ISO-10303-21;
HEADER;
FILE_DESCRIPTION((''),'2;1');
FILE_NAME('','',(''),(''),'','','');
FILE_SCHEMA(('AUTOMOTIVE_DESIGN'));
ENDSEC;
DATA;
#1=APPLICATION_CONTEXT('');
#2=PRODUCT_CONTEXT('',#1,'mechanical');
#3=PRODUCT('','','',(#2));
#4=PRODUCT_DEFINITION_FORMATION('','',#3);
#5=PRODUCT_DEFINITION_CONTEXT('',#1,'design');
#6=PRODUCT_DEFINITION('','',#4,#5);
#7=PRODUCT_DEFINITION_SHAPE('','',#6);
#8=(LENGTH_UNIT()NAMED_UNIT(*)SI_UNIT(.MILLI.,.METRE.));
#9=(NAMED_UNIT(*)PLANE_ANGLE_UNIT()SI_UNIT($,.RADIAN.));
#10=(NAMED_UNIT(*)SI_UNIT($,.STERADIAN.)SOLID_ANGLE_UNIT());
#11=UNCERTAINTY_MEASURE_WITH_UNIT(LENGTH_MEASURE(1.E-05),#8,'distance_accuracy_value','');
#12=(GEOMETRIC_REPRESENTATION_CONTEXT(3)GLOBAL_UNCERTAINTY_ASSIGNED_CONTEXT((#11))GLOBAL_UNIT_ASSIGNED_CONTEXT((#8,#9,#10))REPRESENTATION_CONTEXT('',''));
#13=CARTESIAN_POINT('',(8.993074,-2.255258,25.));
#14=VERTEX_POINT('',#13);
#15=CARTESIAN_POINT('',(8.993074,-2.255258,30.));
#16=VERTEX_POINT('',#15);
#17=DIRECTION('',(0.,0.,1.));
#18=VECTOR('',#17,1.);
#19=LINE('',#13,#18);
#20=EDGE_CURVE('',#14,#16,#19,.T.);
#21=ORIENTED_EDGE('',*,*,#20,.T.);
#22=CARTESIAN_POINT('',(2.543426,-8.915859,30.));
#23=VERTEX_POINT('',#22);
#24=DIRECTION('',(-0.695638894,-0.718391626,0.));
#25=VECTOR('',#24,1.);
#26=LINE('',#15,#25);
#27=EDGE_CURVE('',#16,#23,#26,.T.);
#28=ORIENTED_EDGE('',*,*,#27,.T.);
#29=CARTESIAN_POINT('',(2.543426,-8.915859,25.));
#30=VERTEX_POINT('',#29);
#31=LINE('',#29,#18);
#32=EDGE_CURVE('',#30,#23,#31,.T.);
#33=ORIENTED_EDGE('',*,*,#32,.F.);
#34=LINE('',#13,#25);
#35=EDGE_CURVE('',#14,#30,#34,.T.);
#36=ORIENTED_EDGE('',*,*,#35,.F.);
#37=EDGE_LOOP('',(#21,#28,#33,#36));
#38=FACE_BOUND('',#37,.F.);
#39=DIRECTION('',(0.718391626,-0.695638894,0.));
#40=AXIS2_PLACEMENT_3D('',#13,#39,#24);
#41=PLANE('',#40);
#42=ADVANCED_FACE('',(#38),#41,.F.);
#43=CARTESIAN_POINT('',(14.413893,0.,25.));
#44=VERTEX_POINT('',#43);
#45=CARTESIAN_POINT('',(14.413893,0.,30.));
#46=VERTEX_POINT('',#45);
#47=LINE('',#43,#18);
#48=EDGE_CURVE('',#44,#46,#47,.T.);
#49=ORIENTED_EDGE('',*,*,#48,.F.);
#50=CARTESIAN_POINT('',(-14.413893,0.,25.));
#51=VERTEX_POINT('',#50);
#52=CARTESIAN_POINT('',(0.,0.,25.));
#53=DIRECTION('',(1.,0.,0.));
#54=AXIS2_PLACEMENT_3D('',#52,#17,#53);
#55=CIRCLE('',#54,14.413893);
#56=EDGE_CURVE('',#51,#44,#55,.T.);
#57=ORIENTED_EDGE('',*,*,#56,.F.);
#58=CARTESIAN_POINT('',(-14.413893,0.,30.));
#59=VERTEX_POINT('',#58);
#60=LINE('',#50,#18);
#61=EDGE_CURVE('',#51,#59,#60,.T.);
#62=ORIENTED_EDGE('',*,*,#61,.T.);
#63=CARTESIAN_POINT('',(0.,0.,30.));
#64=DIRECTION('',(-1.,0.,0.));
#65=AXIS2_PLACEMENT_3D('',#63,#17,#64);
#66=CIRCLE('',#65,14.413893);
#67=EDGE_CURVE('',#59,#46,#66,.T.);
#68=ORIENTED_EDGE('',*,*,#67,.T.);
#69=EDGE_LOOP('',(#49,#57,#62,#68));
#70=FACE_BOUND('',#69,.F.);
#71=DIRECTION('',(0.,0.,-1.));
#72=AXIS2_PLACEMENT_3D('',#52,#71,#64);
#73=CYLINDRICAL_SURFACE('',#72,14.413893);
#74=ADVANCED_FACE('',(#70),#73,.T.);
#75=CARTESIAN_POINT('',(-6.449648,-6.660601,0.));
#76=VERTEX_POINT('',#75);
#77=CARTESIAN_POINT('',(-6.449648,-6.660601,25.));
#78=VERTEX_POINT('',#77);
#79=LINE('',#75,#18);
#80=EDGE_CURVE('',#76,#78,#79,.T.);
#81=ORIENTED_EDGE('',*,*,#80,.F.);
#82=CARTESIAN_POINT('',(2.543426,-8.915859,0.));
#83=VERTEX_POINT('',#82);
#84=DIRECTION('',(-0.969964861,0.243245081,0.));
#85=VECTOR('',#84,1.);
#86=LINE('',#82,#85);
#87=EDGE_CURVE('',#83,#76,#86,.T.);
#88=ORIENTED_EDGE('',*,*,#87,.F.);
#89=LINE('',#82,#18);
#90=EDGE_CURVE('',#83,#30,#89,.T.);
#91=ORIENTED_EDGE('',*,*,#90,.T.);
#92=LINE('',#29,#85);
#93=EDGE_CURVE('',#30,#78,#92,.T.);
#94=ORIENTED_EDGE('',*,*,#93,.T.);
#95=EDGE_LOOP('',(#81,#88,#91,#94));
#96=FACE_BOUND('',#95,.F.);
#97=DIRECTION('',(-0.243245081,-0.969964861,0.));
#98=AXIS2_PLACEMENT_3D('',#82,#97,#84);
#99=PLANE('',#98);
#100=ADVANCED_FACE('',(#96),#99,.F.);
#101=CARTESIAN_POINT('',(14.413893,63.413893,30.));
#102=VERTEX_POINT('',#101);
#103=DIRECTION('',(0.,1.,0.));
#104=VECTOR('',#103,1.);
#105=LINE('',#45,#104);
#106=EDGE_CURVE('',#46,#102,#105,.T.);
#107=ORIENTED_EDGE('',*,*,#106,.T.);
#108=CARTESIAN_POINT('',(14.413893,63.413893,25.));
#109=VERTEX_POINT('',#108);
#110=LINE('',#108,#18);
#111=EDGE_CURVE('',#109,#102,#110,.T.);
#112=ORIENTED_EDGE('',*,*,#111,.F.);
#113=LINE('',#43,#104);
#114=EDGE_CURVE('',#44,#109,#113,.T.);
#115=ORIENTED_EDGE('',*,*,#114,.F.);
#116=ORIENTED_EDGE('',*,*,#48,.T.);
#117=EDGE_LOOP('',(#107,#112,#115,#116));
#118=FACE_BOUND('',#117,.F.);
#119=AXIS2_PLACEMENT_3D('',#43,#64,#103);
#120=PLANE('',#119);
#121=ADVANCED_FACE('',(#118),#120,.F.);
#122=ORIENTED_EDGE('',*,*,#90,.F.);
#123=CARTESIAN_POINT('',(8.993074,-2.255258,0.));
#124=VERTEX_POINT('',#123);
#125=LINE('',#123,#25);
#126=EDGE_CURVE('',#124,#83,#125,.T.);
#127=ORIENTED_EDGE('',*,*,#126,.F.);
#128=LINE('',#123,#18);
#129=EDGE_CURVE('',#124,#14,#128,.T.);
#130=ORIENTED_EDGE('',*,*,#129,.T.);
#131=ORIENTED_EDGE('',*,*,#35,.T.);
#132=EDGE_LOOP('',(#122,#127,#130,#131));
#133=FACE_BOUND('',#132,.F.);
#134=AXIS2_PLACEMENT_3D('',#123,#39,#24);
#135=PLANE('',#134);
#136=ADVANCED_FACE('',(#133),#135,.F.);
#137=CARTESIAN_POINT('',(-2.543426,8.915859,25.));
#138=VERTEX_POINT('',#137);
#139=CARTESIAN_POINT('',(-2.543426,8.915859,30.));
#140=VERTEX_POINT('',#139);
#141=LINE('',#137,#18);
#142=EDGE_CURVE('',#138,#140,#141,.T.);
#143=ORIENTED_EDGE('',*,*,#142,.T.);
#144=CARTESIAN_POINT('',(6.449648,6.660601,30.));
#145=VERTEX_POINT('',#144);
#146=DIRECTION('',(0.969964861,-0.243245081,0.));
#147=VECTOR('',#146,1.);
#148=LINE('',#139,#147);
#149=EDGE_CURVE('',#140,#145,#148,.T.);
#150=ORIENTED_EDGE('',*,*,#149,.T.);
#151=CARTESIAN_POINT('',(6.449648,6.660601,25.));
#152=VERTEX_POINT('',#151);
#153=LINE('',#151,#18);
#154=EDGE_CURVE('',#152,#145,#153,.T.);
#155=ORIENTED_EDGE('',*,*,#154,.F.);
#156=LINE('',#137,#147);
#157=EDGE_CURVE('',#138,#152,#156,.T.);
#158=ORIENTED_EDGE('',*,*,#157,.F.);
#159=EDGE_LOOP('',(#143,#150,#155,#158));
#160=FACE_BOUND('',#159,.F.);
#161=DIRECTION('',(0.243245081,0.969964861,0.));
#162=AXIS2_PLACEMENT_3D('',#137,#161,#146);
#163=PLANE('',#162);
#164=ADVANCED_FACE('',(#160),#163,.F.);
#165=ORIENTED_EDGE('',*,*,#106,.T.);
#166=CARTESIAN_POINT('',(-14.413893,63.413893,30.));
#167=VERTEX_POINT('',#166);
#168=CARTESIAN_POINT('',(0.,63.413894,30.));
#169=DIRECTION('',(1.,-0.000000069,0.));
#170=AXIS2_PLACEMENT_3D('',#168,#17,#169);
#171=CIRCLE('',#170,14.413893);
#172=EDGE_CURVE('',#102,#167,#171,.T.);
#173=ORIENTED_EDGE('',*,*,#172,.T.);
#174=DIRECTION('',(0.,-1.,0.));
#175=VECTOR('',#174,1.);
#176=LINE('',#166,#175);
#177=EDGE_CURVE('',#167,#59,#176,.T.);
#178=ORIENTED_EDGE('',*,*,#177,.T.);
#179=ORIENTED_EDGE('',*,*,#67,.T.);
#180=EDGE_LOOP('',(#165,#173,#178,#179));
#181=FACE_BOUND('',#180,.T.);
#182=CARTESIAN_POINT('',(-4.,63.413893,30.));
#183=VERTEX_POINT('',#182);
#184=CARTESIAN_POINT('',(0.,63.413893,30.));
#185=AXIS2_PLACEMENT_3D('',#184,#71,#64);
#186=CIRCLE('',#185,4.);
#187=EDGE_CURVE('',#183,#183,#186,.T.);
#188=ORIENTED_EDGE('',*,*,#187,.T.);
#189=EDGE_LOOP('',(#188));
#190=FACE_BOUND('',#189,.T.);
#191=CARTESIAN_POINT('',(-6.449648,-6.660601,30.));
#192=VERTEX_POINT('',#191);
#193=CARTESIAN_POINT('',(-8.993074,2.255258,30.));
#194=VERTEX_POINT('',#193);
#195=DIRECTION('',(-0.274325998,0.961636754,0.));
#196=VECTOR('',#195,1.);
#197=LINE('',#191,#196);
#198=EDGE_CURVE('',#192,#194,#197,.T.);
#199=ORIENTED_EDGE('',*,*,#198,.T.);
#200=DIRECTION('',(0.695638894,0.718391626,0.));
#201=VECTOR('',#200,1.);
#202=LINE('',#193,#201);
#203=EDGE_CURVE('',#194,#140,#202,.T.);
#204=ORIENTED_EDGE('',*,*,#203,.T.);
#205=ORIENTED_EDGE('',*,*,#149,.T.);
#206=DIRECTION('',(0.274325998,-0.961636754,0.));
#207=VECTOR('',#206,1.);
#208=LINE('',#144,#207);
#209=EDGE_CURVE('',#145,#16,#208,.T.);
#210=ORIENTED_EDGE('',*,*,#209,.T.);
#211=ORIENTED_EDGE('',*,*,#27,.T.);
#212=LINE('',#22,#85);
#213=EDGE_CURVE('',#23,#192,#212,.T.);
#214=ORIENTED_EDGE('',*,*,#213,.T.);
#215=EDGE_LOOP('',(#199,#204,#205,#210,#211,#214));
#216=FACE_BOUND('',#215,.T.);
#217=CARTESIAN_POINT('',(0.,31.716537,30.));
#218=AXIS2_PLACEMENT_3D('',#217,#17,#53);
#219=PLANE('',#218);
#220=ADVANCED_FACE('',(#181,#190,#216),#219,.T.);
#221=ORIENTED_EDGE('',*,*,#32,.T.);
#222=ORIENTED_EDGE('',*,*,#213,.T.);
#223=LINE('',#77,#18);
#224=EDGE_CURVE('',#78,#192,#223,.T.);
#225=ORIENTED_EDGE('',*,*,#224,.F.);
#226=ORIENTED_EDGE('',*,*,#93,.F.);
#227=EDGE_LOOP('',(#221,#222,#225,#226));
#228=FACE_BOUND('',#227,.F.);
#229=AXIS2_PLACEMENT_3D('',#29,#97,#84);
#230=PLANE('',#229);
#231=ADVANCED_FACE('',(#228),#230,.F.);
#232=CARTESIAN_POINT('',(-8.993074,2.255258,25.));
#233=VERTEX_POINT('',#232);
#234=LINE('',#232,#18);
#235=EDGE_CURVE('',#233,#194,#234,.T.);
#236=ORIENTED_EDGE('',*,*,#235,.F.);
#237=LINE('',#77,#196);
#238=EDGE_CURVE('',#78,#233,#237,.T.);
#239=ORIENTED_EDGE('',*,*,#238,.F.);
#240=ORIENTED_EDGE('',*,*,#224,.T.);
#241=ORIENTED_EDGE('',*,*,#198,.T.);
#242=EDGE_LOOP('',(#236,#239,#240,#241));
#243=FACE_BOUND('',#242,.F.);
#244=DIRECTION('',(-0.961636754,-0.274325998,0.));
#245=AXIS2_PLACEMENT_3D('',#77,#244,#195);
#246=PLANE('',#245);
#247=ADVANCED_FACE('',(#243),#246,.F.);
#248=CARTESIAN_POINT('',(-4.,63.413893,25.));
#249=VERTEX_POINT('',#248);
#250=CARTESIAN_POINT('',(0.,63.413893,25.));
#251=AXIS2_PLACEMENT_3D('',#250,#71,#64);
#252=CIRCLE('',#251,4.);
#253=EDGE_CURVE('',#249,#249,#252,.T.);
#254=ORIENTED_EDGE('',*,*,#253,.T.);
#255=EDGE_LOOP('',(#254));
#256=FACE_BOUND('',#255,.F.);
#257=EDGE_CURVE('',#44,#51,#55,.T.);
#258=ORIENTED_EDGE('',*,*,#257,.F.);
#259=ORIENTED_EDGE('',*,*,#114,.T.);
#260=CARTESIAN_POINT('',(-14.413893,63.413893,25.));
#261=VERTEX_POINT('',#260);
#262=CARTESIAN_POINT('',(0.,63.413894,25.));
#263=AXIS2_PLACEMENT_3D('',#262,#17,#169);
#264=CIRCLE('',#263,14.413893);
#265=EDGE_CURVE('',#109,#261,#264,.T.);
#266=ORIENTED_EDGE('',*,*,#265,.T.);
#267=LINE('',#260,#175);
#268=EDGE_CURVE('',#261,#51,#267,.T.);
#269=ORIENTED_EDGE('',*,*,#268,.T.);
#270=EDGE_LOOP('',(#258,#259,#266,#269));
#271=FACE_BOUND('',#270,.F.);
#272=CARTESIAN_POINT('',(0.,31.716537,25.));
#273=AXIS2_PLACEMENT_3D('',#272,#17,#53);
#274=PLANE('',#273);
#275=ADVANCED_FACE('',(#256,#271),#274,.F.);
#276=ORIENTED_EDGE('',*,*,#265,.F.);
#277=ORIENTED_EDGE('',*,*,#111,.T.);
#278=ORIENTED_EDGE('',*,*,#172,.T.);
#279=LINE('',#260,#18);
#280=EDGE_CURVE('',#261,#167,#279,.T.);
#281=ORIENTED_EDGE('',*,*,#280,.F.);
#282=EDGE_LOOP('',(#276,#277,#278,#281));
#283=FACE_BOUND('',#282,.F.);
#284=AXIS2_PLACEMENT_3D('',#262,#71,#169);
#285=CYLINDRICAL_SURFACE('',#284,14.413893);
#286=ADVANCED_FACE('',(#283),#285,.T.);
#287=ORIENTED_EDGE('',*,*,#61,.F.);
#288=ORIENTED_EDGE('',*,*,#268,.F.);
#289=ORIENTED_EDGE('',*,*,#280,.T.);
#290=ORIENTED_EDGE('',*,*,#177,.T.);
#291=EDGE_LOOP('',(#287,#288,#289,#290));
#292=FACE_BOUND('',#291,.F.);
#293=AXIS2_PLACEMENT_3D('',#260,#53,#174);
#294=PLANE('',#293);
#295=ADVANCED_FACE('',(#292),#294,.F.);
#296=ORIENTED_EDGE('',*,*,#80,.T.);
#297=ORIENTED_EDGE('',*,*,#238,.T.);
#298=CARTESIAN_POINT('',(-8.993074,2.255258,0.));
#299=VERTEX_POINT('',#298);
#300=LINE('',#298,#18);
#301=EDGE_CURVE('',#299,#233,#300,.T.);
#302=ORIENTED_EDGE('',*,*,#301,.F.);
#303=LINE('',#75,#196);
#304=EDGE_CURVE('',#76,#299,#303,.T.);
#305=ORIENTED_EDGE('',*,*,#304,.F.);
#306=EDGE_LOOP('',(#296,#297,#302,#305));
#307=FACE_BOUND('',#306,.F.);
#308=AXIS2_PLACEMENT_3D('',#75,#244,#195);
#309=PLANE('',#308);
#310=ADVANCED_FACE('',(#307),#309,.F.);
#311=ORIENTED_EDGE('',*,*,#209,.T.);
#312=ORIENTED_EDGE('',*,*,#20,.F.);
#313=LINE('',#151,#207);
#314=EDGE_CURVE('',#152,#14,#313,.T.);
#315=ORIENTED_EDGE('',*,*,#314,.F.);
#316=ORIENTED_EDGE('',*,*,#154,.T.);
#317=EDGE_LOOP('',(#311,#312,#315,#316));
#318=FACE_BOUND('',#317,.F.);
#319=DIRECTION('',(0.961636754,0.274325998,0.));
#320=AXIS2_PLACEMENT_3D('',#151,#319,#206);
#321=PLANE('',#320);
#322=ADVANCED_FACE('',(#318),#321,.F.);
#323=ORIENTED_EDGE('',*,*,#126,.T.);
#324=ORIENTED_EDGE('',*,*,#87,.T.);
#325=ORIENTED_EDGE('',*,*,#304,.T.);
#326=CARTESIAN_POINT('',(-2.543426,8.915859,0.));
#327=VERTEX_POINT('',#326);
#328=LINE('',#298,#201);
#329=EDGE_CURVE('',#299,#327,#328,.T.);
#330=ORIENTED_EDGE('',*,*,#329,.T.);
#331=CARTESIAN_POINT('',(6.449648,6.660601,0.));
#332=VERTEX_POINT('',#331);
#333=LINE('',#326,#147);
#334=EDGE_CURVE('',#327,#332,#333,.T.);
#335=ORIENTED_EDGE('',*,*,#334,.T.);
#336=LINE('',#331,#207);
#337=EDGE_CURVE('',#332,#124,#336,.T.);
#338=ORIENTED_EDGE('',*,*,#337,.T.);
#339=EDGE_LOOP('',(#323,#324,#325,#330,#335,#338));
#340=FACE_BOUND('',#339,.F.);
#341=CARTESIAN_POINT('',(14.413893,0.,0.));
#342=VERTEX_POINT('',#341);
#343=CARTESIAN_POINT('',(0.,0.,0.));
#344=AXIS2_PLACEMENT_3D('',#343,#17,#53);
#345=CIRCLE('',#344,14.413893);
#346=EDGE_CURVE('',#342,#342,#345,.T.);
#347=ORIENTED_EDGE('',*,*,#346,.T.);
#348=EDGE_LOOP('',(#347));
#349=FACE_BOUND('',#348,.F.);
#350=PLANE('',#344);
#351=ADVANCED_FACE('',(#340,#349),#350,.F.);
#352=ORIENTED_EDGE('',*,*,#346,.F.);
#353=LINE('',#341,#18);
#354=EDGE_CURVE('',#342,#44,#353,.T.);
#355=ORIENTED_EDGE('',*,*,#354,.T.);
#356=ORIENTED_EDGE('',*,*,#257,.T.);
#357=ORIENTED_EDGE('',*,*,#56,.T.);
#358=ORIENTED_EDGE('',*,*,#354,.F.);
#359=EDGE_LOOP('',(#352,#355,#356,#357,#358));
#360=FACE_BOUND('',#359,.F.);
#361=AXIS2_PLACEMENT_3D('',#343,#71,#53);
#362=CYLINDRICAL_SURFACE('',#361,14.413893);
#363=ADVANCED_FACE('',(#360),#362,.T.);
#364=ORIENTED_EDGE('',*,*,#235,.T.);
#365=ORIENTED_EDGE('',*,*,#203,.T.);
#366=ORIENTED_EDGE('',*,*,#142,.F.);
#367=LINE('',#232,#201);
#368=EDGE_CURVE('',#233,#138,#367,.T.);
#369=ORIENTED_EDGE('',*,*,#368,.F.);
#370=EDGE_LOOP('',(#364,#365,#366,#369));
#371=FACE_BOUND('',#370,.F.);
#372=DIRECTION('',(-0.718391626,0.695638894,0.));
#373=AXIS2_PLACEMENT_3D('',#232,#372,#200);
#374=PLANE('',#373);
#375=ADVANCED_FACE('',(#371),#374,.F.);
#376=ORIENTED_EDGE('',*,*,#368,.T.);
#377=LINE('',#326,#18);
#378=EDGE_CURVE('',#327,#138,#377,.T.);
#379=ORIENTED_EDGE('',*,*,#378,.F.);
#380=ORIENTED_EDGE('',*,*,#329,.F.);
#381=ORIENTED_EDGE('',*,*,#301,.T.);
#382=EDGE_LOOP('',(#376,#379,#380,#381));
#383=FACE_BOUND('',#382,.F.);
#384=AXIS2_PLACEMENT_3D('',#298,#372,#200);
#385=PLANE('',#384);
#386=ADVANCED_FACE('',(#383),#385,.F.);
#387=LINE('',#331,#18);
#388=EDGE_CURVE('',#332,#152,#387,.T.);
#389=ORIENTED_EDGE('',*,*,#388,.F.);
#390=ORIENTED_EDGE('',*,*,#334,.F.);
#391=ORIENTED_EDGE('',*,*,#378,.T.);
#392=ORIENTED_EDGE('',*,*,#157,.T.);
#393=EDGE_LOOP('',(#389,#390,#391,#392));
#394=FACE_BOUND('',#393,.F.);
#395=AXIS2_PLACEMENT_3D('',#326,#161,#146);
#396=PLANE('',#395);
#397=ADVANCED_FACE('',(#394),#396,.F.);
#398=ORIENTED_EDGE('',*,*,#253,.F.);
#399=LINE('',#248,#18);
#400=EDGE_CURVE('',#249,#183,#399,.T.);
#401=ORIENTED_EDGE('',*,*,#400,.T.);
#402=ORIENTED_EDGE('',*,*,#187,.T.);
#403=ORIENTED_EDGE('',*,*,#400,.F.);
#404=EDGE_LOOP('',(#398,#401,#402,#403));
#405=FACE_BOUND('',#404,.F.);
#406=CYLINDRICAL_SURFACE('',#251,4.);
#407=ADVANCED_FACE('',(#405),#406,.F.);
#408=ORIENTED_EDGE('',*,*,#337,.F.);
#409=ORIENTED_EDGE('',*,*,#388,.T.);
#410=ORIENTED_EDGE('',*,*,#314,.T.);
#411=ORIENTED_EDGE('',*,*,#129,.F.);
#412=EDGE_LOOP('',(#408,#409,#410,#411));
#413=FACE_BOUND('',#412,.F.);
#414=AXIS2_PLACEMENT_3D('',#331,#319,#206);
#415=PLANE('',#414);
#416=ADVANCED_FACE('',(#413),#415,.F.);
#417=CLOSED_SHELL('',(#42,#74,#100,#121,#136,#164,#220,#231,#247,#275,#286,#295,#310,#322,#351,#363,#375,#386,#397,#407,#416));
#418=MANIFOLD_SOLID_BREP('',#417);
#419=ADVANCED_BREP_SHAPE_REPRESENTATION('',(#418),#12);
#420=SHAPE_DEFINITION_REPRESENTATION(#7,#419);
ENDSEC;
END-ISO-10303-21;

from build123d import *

# Parameters (mm, degrees)
F0_R     = 14.413893
F1_DEPTH = 25
F3_DEPTH = 5


with BuildPart() as f1:
    # F0 (on Top) → F1 (new body)
    with BuildSketch(Plane.XY):
        Circle(F0_R)
        Polygon((6.449648, 6.660601), (8.993074, -2.255258), (2.543426, -8.915859), (-6.449648, -6.660601), (-8.993074, 2.255258), (-2.543426, 8.915859), align=None, mode=Mode.SUBTRACT)
    extrude(amount=F1_DEPTH)

    # F2 (on face) → F3 (join)
    with BuildSketch(Plane.XY.offset(25)):
        with BuildLine():
            Line((-14.413893, 63.413893), (-14.413893, 0))
            ThreePointArc((-14.413893, 0), (0, 14.413893), (14.413893, 0))
            Line((14.413893, 0), (14.413893, 63.413893))
            Line((14.413893, 63.413893), (4, 63.413893))
            ThreePointArc((4, 63.413893), (0, 59.413893), (-4, 63.413893))
            Line((-4, 63.413893), (-14.413893, 63.413893))
        make_face()
        with BuildLine():
            ThreePointArc((14.413893, 0), (0, 14.413893), (-14.413893, 0))
            ThreePointArc((-14.413893, 0), (0, -14.413893), (14.413893, 0))
        make_face()
        Polygon((-2.543426, 8.915859), (6.449648, 6.660601), (8.993074, -2.255258), (2.543426, -8.915859), (-6.449648, -6.660601), (-8.993074, 2.255258), align=None, mode=Mode.SUBTRACT)
        with BuildLine():
            ThreePointArc((14.413893, 63.413893), (0, 77.827787), (-14.413893, 63.413893))
            Line((-14.413893, 63.413893), (-4, 63.413893))
            ThreePointArc((-4, 63.413893), (0, 67.413893), (4, 63.413893))
            Line((4, 63.413893), (14.413893, 63.413893))
        make_face()
    extrude(amount=F3_DEPTH)


solid = f1.part
